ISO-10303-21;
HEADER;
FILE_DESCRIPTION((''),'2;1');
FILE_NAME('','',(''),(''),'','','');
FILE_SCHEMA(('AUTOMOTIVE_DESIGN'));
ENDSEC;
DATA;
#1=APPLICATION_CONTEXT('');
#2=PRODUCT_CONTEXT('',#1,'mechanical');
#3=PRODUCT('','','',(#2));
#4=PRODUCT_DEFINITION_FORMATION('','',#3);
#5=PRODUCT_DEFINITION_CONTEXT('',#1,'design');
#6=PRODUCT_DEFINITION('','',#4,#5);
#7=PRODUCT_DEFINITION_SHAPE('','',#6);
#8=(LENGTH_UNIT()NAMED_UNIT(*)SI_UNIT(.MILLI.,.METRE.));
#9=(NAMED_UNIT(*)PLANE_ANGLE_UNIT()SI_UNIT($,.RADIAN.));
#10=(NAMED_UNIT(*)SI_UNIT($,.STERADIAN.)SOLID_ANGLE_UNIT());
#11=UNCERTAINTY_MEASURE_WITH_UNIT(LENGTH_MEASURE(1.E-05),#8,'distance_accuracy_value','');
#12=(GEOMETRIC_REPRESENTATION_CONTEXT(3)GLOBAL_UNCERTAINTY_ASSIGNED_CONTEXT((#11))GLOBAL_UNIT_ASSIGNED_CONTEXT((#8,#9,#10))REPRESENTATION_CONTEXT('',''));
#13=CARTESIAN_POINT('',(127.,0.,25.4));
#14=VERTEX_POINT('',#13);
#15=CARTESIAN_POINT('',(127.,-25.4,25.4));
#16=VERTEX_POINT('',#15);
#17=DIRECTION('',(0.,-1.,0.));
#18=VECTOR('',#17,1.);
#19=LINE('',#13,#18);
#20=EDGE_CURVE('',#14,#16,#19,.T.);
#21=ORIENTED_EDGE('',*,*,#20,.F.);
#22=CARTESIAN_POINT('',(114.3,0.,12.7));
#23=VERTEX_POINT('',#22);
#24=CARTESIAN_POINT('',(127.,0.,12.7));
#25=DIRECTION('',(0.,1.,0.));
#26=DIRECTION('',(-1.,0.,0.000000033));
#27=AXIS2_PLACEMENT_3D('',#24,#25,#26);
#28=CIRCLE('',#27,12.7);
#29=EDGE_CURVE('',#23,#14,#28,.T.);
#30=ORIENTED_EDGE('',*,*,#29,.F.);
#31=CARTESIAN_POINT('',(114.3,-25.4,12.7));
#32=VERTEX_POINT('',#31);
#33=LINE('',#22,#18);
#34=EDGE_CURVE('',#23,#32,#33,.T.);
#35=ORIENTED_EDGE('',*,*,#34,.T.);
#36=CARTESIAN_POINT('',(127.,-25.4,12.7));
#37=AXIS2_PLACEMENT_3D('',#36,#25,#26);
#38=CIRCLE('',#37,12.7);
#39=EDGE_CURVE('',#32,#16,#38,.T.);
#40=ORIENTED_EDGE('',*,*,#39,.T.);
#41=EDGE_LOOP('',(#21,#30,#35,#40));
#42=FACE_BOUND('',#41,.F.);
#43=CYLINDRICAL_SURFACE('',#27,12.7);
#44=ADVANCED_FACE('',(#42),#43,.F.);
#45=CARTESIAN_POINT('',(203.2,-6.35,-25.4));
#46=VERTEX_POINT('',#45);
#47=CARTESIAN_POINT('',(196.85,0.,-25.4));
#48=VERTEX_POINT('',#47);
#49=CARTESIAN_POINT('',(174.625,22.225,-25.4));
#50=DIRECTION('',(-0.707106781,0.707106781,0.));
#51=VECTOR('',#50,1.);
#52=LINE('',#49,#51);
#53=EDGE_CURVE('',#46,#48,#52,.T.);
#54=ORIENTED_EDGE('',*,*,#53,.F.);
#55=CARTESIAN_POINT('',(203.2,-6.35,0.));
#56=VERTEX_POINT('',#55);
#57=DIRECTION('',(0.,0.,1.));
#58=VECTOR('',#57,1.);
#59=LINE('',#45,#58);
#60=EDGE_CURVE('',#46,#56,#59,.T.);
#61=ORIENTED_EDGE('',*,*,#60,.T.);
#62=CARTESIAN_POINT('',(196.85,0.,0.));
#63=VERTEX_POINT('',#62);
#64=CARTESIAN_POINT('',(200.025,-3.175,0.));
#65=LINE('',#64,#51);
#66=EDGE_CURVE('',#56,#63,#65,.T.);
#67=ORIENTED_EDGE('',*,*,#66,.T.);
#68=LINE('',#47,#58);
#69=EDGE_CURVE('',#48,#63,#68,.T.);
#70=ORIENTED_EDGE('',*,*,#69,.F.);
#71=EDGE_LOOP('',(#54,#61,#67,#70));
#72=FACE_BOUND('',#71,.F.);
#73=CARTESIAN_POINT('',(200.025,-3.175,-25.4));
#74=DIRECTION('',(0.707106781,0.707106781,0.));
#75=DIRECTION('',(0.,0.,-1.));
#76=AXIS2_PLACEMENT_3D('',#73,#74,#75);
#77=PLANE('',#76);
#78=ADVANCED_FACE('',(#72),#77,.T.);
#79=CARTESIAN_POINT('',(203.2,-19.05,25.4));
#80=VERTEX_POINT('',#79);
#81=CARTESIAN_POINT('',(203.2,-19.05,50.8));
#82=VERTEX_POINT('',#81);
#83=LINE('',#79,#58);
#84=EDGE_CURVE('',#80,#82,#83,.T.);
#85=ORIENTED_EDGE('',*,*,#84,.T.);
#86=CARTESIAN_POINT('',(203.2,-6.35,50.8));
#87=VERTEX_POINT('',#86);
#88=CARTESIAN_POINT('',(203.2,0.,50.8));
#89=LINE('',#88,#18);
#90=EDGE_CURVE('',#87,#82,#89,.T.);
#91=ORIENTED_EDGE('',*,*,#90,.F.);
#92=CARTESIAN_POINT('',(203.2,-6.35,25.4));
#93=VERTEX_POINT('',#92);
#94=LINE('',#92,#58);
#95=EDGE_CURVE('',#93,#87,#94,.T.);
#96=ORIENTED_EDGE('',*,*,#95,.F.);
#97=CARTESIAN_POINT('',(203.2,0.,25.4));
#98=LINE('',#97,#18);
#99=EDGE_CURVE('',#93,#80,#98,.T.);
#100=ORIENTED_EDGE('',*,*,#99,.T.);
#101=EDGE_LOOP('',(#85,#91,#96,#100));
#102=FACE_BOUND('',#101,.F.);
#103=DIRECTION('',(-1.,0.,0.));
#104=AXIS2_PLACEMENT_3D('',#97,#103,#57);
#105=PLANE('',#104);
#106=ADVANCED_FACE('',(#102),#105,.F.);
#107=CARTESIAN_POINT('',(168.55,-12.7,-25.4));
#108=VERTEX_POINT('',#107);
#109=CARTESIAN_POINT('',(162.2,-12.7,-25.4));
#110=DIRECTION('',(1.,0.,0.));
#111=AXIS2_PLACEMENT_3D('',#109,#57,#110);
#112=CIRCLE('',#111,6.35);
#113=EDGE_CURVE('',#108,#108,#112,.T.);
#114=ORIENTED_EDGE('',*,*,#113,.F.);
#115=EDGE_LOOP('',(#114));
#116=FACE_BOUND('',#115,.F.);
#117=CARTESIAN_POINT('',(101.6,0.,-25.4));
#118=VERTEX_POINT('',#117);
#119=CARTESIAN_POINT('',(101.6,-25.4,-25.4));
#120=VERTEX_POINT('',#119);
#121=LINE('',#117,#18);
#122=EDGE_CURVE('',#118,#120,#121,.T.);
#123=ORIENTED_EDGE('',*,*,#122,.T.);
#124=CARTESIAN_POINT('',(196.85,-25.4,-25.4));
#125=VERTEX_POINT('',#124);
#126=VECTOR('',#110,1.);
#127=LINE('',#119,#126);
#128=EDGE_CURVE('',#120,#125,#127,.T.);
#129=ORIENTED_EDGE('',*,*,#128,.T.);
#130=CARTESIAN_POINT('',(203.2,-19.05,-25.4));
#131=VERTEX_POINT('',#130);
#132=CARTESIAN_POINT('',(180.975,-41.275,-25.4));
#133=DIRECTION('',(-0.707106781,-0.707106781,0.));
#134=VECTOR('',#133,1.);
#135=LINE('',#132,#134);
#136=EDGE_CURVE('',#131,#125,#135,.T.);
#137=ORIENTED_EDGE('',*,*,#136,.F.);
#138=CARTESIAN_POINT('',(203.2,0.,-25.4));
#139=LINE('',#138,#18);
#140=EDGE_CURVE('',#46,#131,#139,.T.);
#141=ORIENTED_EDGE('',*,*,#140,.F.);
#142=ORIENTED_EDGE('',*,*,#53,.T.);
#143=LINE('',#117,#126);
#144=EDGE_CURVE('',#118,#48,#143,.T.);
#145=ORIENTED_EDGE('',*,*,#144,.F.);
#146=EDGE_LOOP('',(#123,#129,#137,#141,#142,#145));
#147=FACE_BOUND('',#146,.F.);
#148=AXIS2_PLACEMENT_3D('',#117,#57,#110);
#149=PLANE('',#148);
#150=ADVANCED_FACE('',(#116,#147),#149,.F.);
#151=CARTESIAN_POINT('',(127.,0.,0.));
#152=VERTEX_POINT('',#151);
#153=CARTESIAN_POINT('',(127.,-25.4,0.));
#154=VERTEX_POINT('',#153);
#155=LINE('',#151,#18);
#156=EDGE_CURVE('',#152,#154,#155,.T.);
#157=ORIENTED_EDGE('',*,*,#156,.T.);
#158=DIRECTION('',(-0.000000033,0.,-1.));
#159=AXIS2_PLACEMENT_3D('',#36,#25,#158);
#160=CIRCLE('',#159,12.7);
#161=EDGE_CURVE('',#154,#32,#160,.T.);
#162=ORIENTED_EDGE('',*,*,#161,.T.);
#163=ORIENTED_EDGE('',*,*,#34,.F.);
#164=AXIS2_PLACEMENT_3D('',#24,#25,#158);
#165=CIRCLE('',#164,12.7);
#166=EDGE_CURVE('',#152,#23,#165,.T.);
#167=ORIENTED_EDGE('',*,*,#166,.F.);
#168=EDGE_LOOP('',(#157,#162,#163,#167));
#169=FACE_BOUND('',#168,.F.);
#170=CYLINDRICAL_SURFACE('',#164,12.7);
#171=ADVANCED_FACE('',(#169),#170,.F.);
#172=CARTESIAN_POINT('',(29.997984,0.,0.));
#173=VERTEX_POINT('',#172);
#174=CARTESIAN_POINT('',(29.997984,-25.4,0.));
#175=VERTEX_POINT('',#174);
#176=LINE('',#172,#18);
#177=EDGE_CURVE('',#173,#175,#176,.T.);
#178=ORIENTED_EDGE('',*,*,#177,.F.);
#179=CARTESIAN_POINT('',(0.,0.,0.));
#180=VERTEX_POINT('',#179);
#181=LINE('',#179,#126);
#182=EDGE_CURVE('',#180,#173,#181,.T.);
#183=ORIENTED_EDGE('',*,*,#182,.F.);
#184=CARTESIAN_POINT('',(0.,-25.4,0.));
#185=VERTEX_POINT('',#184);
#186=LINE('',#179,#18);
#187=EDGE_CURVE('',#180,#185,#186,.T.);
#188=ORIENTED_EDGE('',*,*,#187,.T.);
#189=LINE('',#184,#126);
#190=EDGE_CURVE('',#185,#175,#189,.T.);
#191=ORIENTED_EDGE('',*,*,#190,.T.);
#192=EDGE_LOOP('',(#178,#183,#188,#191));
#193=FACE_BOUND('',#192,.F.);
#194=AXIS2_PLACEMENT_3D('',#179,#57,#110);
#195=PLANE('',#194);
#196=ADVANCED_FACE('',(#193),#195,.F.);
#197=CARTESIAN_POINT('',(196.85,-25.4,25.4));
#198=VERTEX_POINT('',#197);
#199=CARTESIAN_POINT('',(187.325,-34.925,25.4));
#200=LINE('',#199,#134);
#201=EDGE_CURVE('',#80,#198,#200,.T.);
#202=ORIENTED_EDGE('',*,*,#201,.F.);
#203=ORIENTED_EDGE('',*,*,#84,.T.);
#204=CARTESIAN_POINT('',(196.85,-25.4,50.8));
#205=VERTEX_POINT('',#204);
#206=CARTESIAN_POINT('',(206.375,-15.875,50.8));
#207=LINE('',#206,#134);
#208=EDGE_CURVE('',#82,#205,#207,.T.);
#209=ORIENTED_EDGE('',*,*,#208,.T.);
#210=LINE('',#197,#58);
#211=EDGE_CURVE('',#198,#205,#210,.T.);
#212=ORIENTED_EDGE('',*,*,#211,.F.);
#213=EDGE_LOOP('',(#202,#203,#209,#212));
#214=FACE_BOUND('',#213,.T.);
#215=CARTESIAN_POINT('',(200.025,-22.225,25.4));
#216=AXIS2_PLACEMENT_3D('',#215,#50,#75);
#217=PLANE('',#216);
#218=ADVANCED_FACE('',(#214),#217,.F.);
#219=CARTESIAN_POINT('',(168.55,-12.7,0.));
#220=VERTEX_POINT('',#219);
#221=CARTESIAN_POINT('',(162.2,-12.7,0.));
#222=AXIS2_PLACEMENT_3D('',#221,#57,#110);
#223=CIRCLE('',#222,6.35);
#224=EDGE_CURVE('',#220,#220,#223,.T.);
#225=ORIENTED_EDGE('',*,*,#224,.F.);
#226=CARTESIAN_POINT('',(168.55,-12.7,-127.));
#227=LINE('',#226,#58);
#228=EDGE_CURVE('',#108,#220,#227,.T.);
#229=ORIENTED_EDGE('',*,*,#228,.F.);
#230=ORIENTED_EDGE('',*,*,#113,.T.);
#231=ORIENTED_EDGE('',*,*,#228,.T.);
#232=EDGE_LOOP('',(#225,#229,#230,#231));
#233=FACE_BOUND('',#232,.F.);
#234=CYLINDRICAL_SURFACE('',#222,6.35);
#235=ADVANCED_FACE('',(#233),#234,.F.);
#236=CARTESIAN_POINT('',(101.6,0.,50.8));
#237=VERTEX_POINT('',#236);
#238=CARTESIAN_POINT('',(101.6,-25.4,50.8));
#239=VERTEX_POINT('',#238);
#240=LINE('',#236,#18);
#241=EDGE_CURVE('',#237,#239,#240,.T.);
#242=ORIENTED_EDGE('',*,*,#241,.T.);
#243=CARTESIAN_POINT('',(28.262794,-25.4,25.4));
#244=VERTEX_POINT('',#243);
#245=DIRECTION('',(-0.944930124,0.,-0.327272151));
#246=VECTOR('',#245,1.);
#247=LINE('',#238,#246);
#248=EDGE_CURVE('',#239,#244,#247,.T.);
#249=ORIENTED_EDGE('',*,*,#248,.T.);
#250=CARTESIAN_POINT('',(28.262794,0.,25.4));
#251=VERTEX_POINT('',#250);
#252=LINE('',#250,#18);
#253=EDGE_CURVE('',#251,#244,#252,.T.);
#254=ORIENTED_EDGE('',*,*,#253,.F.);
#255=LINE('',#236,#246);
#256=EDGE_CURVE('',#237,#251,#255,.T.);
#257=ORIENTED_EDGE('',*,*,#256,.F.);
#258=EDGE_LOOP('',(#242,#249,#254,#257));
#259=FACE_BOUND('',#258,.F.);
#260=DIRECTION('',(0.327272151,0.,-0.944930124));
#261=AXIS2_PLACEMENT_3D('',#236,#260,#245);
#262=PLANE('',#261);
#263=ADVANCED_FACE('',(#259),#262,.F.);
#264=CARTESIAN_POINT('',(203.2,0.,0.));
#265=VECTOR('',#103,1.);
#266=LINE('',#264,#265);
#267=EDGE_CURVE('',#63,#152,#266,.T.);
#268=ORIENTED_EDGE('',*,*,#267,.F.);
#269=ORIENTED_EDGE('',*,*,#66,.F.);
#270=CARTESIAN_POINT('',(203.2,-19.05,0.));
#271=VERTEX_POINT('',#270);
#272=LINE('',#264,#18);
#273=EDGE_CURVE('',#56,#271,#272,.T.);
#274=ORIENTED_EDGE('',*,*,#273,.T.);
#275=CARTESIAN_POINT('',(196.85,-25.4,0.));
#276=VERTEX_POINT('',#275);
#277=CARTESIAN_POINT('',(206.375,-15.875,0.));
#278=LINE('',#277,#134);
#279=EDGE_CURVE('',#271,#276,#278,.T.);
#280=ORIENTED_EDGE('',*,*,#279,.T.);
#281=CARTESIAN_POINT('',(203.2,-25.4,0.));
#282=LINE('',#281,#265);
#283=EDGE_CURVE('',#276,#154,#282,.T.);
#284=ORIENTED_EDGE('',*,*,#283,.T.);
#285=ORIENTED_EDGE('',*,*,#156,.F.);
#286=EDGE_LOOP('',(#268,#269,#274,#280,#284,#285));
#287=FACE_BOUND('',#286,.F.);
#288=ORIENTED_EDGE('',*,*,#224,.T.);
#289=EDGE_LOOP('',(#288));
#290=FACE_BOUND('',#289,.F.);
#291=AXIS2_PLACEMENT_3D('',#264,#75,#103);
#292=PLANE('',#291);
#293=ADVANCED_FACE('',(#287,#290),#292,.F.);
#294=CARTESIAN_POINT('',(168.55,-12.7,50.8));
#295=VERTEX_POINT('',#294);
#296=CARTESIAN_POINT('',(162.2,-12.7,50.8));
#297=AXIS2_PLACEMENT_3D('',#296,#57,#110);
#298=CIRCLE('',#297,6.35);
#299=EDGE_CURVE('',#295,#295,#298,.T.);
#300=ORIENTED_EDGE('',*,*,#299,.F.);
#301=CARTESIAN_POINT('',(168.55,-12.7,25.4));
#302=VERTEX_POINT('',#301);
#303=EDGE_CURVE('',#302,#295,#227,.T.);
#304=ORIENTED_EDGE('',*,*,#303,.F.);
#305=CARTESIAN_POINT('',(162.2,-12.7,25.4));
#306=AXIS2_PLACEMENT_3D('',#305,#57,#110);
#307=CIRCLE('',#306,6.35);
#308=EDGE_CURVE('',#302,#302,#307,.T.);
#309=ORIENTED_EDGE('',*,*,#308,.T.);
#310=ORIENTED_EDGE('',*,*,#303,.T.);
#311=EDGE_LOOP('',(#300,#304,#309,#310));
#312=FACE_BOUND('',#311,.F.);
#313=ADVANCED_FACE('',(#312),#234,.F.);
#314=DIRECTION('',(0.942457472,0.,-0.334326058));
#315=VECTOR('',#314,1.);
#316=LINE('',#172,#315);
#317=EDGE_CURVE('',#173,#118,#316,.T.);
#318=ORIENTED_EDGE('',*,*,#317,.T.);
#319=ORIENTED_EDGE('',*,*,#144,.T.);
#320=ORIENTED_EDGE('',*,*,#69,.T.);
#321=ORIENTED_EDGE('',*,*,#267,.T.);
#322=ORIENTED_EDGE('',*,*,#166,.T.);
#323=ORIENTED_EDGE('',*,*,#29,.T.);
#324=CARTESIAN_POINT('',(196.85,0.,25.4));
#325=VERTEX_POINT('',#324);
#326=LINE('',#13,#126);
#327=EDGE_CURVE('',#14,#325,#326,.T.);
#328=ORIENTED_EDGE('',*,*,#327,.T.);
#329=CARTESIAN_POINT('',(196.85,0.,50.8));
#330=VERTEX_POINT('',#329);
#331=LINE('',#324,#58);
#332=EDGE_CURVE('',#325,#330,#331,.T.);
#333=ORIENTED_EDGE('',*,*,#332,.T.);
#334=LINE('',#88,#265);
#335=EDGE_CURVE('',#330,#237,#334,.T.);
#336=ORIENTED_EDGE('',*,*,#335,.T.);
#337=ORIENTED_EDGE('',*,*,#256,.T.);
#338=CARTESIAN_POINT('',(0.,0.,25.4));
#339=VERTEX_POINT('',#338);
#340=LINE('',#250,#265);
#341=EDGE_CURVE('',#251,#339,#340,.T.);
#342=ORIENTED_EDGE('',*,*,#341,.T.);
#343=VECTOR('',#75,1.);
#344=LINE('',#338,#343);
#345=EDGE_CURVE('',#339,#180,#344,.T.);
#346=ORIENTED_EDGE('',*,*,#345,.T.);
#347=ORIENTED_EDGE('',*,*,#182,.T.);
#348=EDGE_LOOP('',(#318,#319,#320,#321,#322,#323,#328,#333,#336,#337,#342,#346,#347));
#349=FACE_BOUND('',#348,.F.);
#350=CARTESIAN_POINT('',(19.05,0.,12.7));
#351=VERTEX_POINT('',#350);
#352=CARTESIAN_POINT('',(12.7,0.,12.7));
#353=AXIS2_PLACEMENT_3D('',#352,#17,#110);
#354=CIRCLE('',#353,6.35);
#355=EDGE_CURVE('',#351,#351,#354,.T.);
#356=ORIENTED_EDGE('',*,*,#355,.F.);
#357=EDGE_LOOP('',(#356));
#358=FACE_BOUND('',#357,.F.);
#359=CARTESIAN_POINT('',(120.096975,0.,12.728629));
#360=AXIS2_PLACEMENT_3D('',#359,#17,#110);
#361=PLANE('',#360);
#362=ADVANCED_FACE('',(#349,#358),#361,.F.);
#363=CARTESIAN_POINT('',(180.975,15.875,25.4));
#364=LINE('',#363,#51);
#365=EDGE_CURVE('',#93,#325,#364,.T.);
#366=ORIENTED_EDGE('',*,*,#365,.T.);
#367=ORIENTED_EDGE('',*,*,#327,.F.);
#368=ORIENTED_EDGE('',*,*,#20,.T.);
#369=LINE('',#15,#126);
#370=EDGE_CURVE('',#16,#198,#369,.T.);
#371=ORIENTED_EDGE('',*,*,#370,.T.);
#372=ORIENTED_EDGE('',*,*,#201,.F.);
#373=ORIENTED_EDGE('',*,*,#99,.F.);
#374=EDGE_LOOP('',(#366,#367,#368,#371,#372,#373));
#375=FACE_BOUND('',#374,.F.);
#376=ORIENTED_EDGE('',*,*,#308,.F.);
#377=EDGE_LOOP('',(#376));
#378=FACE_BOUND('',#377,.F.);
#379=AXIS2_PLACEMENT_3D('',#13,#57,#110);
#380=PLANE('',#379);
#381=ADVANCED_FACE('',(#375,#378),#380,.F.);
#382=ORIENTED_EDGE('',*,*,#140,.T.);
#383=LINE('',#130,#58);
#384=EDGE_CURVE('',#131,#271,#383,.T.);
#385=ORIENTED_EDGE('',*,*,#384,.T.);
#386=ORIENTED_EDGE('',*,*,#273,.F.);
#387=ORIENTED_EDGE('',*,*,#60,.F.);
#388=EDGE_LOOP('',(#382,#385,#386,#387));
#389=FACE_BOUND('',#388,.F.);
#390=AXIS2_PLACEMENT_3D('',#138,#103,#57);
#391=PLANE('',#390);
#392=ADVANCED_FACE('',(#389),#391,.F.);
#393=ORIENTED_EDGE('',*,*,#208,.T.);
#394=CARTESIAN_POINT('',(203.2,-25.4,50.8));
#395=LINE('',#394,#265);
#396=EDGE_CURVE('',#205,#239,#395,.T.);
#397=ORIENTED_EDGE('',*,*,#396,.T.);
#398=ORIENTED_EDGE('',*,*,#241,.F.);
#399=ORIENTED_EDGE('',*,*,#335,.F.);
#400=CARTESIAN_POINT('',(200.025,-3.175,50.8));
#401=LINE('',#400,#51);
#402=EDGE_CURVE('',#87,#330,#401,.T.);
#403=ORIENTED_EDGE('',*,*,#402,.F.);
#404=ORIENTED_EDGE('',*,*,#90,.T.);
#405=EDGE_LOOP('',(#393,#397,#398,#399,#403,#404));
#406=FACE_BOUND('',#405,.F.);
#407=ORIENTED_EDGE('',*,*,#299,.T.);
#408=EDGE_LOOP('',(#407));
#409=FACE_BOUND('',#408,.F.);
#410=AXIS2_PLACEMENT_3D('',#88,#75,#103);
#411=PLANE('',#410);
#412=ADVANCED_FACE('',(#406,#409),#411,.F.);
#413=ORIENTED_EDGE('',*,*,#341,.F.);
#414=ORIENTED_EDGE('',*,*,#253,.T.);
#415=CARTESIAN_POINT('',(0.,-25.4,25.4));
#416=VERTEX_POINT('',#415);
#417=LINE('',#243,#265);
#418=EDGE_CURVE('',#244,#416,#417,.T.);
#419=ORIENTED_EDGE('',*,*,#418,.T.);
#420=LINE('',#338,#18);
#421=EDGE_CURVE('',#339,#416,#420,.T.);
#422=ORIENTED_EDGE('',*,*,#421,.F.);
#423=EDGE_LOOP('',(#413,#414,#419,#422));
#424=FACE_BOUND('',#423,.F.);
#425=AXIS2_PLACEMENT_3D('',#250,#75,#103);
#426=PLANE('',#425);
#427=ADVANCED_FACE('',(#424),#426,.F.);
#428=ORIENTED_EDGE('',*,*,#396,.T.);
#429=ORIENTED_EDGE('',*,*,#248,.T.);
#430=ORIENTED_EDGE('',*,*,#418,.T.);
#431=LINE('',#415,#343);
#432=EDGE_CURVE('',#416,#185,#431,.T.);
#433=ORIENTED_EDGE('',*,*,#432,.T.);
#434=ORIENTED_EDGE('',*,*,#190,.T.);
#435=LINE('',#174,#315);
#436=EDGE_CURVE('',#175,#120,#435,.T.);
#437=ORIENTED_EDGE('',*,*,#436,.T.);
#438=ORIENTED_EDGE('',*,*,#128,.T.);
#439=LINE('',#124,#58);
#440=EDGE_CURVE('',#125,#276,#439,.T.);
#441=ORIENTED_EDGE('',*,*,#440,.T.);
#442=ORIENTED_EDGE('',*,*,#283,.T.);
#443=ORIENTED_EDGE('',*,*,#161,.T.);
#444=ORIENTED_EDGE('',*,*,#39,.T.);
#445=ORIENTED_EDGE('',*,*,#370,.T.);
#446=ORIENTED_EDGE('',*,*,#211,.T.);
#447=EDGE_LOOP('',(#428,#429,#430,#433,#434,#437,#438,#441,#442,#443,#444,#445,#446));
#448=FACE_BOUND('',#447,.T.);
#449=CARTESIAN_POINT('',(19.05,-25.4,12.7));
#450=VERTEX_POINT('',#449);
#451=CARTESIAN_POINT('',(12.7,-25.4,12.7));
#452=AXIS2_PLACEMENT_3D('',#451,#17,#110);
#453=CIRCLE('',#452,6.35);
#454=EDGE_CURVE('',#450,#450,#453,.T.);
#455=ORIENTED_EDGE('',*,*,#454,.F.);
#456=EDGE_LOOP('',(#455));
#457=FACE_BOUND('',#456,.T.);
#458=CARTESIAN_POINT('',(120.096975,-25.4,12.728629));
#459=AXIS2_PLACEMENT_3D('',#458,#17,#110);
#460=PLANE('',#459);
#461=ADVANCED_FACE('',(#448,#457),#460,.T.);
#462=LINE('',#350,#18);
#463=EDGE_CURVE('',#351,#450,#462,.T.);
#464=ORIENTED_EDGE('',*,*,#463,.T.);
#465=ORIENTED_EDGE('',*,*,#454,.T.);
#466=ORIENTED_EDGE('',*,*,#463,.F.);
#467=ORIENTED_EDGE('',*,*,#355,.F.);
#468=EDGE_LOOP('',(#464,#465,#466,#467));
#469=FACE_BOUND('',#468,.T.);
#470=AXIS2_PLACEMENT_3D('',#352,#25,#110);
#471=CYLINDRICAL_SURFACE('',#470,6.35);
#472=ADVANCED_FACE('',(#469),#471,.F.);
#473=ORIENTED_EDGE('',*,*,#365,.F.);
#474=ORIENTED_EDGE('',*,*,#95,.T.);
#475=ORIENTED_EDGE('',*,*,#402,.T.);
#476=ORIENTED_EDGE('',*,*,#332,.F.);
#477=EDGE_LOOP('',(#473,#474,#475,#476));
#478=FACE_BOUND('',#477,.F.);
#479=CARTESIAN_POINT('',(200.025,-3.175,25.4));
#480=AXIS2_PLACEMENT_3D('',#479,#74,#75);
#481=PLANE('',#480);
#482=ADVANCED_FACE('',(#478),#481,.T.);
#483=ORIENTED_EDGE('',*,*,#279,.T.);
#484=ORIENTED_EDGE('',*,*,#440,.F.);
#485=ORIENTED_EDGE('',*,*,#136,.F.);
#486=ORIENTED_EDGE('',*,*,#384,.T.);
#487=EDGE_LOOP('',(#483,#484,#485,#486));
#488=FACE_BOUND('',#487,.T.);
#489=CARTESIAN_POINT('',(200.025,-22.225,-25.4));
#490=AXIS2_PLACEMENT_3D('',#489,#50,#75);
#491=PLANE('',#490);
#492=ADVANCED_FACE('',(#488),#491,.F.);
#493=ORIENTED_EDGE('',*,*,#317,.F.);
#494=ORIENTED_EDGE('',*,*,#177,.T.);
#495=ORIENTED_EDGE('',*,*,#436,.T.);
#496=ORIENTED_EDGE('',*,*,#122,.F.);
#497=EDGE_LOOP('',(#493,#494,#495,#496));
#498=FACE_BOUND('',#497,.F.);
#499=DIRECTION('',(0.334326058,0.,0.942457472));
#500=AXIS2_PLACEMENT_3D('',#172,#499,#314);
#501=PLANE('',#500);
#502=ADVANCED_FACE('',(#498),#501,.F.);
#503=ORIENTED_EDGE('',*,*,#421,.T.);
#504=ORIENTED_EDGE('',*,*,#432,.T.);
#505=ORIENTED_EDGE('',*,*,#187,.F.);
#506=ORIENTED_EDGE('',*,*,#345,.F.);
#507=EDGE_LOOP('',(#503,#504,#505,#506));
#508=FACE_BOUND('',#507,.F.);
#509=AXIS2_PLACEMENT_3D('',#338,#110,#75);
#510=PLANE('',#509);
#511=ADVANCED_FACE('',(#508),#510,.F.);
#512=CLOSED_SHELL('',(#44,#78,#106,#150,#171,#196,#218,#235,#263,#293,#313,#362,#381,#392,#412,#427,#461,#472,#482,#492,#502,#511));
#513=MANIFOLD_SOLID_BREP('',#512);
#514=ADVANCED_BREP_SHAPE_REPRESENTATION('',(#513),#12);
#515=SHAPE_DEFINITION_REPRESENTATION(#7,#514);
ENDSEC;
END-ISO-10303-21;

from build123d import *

# Parameters (mm, degrees)
F0_R     = 6.35
F2_DEPTH = 25.4
F3_SIZE2 = 6.35
F3_SIZE  = 6.35
F1_R     = 6.35
F4_DEPTH = 127


with BuildPart() as f2:
    # F0 (on Front) → F2 (new body)
    with BuildSketch(Plane.XZ):
        with BuildLine():
            Line((0, 25.4), (0, 0))
            Line((0, 0), (29.997984, 0))
            Line((29.997984, 0), (101.6, -25.4))
            Line((101.6, -25.4), (203.2, -25.4))
            Line((203.2, -25.4), (203.2, 0))
            Line((203.2, 0), (127, 0))
            ThreePointArc((127, 0), (118.019744, 3.719744), (114.3, 12.7))
            ThreePointArc((114.3, 12.7), (118.019744, 21.680256), (127, 25.4))
            Line((127, 25.4), (203.2, 25.4))
            Line((203.2, 25.4), (203.2, 50.8))
            Line((203.2, 50.8), (101.6, 50.8))
            Line((101.6, 50.8), (28.262794, 25.4))
            Line((28.262794, 25.4), (0, 25.4))
        make_face()
        with Locations((12.7, 12.7)):
            Circle(F0_R, mode=Mode.SUBTRACT)
    extrude(amount=F2_DEPTH)

    # F3
    f3_edges = [f2.edges().sort_by_distance(p)[0] for p in [
        (203.2, -25.4, 38.1),
        (203.2, -25.4, -12.7),
        (203.2, 0, -12.7),
        (203.2, 0, 38.1),
    ]]
    chamfer(f3_edges, length=F3_SIZE, length2=F3_SIZE2)

    # F1 (on Top) → F4 (cut, symmetric)
    with BuildSketch(Plane.XY):
        with Locations((162.2, -12.7)):
            Circle(F1_R)
    extrude(amount=F4_DEPTH, both=True, mode=Mode.SUBTRACT)


solid = f2.part
